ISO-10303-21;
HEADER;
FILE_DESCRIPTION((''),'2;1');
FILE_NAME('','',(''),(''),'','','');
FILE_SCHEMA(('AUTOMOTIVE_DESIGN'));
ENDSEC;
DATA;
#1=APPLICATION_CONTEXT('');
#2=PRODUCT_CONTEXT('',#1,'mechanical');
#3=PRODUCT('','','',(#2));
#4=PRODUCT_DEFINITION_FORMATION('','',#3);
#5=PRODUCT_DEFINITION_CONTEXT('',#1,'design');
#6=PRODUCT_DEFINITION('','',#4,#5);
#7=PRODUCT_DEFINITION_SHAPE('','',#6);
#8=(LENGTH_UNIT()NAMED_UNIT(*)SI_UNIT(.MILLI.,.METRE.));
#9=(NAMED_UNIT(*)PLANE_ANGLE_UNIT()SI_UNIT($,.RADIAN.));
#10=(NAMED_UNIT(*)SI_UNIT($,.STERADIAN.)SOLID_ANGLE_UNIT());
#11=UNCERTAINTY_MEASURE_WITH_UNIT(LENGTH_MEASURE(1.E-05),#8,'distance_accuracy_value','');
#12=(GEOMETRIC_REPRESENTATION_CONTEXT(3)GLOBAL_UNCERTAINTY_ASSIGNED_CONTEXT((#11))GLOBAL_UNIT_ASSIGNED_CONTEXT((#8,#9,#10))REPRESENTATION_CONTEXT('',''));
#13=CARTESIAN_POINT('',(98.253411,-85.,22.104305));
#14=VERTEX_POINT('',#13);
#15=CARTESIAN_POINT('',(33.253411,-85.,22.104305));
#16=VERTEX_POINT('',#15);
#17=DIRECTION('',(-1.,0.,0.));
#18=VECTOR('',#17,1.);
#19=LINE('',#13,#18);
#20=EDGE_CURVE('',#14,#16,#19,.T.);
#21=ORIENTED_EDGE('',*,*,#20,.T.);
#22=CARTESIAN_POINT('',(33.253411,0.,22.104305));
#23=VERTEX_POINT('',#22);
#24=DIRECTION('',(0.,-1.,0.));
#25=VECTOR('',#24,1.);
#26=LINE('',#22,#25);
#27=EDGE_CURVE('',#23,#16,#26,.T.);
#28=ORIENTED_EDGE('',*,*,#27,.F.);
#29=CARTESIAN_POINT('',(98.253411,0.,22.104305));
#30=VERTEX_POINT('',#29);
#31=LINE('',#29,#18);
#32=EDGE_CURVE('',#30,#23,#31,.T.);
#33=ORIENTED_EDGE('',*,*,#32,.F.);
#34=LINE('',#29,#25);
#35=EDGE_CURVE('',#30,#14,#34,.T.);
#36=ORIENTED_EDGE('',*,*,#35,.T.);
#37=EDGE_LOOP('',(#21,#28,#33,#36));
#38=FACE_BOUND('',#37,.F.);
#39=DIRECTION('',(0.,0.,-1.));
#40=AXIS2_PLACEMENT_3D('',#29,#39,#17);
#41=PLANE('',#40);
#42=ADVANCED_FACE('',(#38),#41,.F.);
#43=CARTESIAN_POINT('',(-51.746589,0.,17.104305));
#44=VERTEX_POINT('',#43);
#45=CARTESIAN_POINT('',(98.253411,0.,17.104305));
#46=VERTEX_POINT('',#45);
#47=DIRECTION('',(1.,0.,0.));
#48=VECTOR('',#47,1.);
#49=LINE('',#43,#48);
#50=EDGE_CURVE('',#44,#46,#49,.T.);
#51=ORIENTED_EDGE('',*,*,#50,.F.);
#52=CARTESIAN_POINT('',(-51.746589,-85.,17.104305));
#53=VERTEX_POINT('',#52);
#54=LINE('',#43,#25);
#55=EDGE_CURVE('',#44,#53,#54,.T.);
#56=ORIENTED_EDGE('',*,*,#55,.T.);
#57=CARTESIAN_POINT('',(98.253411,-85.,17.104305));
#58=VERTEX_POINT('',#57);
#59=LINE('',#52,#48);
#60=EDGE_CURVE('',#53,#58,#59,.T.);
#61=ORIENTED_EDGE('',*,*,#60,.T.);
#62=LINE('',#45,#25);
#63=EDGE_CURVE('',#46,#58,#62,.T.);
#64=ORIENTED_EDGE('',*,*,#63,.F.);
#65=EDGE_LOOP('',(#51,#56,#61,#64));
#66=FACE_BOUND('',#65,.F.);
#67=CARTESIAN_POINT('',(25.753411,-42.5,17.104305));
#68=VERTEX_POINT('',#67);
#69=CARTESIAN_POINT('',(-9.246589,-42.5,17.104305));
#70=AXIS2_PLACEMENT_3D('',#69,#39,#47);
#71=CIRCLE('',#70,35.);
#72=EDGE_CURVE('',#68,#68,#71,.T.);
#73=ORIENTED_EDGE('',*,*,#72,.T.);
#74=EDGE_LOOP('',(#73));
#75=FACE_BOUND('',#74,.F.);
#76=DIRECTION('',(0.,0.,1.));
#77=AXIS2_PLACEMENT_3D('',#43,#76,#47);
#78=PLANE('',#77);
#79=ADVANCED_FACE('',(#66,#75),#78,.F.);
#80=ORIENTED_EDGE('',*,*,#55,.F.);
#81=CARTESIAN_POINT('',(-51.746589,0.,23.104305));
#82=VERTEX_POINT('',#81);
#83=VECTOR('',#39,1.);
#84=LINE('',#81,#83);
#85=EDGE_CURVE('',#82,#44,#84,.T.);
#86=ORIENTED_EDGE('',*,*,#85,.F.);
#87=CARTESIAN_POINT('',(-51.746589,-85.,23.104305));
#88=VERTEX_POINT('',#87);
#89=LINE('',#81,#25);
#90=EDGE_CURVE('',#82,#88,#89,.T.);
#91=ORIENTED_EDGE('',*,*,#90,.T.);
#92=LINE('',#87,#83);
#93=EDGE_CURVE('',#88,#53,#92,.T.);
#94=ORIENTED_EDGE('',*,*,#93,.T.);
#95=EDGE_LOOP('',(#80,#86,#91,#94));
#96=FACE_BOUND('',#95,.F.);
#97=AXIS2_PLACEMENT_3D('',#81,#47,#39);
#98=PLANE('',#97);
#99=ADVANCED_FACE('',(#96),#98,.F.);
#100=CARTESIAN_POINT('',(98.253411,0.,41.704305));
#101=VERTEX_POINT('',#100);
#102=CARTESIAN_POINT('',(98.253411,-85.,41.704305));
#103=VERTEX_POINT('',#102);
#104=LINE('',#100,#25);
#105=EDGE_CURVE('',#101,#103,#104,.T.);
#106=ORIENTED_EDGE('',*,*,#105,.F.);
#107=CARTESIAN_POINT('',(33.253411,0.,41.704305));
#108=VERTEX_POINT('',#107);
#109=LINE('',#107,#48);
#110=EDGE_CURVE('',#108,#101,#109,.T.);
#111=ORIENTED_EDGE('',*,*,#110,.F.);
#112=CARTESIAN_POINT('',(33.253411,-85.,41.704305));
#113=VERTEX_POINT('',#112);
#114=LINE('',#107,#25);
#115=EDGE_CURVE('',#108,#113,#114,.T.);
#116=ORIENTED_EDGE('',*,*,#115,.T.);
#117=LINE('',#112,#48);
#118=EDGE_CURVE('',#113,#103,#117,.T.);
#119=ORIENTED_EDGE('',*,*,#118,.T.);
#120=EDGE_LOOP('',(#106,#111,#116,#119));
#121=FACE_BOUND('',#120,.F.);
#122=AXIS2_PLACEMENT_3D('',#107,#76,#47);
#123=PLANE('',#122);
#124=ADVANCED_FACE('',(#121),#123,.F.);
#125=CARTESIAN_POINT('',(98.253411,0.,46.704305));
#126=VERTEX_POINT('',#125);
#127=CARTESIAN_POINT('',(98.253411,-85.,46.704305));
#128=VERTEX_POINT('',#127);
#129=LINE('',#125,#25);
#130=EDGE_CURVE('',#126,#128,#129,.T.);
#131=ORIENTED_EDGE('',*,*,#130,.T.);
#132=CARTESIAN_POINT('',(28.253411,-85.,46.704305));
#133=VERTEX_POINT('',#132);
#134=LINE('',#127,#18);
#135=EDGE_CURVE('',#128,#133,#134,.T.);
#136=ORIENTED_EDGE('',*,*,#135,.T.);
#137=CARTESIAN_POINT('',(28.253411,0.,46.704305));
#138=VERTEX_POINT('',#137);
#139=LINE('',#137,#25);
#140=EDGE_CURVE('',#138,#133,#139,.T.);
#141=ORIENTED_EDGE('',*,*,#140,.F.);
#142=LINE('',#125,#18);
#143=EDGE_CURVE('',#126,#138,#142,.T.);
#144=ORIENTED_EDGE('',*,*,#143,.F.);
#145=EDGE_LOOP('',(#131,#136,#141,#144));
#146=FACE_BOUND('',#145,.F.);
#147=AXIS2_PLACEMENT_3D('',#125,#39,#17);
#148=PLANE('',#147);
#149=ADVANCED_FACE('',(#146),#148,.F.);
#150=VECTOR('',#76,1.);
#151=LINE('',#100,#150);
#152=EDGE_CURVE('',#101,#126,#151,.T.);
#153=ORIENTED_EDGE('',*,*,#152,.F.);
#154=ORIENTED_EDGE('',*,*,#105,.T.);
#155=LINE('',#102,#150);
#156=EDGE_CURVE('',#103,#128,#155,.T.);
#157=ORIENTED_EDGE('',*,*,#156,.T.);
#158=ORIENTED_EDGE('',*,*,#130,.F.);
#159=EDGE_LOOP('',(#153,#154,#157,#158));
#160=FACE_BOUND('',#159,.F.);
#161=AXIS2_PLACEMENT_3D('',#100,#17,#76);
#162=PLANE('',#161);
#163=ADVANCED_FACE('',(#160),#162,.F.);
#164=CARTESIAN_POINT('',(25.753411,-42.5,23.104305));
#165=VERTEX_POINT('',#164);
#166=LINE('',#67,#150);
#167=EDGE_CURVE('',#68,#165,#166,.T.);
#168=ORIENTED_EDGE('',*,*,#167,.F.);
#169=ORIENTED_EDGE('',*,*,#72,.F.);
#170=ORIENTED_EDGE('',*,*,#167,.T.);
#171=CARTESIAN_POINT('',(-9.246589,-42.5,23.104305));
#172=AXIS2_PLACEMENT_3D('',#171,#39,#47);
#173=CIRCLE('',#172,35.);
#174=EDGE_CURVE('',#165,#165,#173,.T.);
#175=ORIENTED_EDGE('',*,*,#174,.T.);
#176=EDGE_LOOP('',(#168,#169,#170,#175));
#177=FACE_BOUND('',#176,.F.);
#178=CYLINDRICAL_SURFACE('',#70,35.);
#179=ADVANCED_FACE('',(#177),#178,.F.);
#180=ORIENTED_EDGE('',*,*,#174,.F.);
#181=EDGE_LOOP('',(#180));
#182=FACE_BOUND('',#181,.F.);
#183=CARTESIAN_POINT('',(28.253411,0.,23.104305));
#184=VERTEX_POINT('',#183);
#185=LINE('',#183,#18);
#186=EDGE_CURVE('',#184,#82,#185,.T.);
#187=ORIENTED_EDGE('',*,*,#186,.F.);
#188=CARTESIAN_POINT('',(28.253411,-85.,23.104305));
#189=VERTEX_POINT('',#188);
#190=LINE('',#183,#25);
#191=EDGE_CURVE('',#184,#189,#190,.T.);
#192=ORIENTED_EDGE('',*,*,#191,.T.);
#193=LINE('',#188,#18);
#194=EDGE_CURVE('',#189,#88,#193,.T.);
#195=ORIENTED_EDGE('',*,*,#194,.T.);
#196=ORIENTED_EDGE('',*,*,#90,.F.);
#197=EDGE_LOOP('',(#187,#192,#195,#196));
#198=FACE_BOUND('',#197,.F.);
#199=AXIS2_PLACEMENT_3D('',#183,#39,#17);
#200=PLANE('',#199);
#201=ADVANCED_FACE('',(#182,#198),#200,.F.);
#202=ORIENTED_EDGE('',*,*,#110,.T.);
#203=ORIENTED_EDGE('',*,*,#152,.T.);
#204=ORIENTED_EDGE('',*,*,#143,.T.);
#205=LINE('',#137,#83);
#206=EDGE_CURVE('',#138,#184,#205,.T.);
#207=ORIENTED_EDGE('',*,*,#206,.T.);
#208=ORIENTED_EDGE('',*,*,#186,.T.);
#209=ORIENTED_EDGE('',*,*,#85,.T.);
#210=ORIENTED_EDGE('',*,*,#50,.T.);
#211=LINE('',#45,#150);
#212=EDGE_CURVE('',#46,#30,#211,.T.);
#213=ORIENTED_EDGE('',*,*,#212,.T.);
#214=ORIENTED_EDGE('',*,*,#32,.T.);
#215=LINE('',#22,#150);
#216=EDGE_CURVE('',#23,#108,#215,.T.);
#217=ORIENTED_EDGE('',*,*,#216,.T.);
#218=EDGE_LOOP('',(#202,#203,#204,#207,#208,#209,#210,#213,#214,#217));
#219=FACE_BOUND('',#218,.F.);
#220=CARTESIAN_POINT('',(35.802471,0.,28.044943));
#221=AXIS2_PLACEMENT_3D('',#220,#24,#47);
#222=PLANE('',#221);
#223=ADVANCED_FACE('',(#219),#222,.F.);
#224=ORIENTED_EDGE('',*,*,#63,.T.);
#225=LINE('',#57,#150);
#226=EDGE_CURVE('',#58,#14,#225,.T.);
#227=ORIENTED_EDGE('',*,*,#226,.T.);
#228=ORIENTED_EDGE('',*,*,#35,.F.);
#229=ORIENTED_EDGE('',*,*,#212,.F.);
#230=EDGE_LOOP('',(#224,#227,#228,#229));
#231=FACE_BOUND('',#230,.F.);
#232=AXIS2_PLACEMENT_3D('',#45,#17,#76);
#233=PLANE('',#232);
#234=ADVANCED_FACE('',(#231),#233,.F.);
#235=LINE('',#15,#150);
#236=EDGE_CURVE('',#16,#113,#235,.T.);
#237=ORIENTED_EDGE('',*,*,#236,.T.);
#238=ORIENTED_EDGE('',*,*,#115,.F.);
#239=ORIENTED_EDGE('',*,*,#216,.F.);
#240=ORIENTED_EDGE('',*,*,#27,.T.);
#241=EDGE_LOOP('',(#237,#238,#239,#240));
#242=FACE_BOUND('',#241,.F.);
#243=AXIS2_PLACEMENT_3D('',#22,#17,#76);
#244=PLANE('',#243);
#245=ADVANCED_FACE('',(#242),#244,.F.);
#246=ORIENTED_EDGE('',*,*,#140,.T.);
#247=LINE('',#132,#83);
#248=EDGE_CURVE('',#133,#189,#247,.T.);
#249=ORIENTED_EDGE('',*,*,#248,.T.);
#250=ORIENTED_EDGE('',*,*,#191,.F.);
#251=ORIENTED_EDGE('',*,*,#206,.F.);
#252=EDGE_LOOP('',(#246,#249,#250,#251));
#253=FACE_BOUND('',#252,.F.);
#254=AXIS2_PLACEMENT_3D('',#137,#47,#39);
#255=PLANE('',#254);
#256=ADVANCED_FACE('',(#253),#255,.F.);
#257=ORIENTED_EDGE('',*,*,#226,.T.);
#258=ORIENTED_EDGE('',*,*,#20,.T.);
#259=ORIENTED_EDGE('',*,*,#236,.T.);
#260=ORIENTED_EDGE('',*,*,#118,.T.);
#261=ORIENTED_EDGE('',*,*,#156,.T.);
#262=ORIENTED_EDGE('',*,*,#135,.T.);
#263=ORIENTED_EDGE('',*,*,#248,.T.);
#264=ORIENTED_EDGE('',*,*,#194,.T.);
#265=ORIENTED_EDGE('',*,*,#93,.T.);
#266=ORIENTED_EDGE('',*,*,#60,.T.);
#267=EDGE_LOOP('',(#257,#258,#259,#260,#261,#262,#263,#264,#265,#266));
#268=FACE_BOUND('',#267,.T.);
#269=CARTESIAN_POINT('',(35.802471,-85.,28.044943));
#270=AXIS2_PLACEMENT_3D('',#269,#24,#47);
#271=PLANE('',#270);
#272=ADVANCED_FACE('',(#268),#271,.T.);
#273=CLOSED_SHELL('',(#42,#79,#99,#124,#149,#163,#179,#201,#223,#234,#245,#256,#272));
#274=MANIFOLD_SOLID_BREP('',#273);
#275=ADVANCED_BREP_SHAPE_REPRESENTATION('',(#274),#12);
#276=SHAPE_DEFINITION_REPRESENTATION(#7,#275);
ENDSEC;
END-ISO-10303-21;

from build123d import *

# Parameters (mm, degrees)
F1_DEPTH = 85
F2_R     = 35
F3_DEPTH = 25


with BuildPart() as f1:
    # F0 (on Front) → F1 (new body)
    with BuildSketch(Plane.XZ):
        Polygon((98.253411, 46.704305), (28.253411, 46.704305), (28.253411, 23.104305), (-51.746589, 23.104305), (-51.746589, 17.104305), (98.253411, 17.104305), (98.253411, 22.104305), (33.253411, 22.104305), (33.253411, 41.704305), (98.253411, 41.704305), align=None)
    extrude(amount=F1_DEPTH)

    # F2 (on face) → F3 (cut)
    with BuildSketch(Plane(origin=(0, 0, 17.104305), x_dir=(1, 0, 0), z_dir=(0, 0, -1))):
        with Locations((-9.246589, 42.5)):
            Circle(F2_R)
    extrude(amount=-F3_DEPTH, mode=Mode.SUBTRACT)


solid = f1.part
